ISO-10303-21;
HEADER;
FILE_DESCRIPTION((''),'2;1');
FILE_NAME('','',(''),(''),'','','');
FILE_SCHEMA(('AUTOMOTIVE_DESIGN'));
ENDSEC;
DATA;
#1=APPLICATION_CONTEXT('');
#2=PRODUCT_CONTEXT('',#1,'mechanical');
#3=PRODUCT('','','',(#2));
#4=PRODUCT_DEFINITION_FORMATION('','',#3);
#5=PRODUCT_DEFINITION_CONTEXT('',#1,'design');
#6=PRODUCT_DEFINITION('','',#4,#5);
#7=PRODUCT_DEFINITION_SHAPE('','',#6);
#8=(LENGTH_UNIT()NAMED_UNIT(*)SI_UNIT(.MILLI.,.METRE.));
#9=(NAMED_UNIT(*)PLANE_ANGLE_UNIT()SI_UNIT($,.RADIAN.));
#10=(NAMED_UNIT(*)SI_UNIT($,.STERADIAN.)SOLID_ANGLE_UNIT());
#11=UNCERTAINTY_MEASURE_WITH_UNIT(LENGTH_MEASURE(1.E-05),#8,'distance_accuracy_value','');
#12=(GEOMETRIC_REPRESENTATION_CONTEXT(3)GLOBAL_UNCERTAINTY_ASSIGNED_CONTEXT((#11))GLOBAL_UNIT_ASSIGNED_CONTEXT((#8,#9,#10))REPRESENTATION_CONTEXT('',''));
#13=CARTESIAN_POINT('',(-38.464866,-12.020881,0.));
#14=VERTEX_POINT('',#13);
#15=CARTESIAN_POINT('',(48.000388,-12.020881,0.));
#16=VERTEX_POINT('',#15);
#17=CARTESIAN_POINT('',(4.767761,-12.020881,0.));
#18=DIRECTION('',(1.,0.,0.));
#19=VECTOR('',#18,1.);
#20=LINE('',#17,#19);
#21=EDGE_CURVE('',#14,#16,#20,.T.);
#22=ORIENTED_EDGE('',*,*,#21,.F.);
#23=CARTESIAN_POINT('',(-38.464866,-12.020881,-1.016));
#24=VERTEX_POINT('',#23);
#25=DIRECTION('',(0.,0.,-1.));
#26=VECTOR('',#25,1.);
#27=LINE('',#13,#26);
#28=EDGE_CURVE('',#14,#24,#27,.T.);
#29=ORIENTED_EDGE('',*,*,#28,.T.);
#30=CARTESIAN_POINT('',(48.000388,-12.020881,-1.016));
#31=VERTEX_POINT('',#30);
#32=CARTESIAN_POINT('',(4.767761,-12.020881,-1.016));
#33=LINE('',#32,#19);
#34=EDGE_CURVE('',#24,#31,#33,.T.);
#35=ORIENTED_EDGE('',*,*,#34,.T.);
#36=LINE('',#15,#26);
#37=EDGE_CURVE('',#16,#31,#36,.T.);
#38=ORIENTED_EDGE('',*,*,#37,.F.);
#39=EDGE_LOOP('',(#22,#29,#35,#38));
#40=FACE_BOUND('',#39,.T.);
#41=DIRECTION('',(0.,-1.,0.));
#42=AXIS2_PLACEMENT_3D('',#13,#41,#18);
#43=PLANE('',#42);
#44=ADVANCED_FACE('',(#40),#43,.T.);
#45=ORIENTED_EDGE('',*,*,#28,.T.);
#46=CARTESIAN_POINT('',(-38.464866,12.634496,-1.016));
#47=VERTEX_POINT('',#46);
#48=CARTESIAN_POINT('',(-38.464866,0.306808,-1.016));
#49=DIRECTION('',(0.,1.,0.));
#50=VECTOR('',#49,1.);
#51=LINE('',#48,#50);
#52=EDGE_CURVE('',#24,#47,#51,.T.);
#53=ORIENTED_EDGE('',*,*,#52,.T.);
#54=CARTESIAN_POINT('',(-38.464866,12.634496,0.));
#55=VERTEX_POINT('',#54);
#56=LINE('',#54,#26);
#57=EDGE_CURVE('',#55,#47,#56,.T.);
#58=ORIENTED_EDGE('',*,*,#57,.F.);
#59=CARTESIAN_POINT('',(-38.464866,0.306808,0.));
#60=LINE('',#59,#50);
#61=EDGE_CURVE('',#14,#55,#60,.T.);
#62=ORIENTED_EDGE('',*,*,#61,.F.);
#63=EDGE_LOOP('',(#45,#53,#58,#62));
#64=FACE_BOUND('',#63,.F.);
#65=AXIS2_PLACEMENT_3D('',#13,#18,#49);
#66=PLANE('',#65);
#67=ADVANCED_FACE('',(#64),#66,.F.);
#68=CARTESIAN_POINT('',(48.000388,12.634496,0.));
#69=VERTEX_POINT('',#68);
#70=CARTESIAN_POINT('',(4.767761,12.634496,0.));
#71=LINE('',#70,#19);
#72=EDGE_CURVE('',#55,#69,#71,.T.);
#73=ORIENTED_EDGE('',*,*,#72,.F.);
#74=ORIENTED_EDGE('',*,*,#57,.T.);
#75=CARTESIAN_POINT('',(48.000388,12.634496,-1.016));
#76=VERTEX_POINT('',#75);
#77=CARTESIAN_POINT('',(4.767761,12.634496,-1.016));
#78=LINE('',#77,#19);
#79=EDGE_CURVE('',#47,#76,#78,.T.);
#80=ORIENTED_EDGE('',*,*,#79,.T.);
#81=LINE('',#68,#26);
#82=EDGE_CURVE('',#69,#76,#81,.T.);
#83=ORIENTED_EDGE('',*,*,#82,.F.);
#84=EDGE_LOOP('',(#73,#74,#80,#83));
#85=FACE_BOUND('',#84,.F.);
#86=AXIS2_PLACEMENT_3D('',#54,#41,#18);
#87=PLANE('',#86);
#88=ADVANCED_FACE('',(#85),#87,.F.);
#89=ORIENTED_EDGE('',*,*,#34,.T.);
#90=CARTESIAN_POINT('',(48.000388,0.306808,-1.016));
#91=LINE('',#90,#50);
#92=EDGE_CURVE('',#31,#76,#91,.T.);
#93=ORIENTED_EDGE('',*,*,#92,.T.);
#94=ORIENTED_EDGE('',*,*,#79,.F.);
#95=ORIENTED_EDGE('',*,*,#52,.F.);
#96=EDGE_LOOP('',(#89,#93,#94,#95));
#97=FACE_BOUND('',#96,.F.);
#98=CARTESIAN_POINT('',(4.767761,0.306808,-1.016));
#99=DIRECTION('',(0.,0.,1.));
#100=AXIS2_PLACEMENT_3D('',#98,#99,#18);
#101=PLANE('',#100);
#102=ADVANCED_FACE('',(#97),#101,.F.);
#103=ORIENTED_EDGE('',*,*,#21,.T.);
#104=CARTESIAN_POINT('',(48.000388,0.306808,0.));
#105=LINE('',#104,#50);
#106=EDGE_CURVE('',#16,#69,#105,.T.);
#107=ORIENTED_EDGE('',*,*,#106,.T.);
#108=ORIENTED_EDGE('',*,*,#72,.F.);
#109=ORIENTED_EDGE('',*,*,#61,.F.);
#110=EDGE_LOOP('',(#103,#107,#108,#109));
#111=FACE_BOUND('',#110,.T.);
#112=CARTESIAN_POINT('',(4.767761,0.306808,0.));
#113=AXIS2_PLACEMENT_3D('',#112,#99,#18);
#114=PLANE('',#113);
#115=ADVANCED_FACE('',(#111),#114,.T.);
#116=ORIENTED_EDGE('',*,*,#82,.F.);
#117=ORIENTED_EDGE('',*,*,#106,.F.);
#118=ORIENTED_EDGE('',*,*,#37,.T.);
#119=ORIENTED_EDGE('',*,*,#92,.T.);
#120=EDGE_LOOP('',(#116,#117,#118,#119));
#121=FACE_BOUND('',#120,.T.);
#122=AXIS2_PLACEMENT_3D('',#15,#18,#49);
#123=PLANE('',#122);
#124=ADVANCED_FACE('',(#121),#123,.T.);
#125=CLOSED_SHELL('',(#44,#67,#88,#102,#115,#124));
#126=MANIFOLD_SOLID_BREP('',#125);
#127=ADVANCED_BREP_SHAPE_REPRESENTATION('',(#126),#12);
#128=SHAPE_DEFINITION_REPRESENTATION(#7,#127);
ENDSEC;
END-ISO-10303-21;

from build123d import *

# Parameters (mm, degrees)
F0_W     = 86.465255
F0_H     = 24.655377
F1_DEPTH = 1.016


with BuildPart() as f1:
    # F0 (on Top) → F1 (new body)
    with BuildSketch(Plane.XY):
        with Locations((4.767761, 0.306808)):
            Rectangle(F0_W, F0_H)
    extrude(amount=-F1_DEPTH)


solid = f1.part
